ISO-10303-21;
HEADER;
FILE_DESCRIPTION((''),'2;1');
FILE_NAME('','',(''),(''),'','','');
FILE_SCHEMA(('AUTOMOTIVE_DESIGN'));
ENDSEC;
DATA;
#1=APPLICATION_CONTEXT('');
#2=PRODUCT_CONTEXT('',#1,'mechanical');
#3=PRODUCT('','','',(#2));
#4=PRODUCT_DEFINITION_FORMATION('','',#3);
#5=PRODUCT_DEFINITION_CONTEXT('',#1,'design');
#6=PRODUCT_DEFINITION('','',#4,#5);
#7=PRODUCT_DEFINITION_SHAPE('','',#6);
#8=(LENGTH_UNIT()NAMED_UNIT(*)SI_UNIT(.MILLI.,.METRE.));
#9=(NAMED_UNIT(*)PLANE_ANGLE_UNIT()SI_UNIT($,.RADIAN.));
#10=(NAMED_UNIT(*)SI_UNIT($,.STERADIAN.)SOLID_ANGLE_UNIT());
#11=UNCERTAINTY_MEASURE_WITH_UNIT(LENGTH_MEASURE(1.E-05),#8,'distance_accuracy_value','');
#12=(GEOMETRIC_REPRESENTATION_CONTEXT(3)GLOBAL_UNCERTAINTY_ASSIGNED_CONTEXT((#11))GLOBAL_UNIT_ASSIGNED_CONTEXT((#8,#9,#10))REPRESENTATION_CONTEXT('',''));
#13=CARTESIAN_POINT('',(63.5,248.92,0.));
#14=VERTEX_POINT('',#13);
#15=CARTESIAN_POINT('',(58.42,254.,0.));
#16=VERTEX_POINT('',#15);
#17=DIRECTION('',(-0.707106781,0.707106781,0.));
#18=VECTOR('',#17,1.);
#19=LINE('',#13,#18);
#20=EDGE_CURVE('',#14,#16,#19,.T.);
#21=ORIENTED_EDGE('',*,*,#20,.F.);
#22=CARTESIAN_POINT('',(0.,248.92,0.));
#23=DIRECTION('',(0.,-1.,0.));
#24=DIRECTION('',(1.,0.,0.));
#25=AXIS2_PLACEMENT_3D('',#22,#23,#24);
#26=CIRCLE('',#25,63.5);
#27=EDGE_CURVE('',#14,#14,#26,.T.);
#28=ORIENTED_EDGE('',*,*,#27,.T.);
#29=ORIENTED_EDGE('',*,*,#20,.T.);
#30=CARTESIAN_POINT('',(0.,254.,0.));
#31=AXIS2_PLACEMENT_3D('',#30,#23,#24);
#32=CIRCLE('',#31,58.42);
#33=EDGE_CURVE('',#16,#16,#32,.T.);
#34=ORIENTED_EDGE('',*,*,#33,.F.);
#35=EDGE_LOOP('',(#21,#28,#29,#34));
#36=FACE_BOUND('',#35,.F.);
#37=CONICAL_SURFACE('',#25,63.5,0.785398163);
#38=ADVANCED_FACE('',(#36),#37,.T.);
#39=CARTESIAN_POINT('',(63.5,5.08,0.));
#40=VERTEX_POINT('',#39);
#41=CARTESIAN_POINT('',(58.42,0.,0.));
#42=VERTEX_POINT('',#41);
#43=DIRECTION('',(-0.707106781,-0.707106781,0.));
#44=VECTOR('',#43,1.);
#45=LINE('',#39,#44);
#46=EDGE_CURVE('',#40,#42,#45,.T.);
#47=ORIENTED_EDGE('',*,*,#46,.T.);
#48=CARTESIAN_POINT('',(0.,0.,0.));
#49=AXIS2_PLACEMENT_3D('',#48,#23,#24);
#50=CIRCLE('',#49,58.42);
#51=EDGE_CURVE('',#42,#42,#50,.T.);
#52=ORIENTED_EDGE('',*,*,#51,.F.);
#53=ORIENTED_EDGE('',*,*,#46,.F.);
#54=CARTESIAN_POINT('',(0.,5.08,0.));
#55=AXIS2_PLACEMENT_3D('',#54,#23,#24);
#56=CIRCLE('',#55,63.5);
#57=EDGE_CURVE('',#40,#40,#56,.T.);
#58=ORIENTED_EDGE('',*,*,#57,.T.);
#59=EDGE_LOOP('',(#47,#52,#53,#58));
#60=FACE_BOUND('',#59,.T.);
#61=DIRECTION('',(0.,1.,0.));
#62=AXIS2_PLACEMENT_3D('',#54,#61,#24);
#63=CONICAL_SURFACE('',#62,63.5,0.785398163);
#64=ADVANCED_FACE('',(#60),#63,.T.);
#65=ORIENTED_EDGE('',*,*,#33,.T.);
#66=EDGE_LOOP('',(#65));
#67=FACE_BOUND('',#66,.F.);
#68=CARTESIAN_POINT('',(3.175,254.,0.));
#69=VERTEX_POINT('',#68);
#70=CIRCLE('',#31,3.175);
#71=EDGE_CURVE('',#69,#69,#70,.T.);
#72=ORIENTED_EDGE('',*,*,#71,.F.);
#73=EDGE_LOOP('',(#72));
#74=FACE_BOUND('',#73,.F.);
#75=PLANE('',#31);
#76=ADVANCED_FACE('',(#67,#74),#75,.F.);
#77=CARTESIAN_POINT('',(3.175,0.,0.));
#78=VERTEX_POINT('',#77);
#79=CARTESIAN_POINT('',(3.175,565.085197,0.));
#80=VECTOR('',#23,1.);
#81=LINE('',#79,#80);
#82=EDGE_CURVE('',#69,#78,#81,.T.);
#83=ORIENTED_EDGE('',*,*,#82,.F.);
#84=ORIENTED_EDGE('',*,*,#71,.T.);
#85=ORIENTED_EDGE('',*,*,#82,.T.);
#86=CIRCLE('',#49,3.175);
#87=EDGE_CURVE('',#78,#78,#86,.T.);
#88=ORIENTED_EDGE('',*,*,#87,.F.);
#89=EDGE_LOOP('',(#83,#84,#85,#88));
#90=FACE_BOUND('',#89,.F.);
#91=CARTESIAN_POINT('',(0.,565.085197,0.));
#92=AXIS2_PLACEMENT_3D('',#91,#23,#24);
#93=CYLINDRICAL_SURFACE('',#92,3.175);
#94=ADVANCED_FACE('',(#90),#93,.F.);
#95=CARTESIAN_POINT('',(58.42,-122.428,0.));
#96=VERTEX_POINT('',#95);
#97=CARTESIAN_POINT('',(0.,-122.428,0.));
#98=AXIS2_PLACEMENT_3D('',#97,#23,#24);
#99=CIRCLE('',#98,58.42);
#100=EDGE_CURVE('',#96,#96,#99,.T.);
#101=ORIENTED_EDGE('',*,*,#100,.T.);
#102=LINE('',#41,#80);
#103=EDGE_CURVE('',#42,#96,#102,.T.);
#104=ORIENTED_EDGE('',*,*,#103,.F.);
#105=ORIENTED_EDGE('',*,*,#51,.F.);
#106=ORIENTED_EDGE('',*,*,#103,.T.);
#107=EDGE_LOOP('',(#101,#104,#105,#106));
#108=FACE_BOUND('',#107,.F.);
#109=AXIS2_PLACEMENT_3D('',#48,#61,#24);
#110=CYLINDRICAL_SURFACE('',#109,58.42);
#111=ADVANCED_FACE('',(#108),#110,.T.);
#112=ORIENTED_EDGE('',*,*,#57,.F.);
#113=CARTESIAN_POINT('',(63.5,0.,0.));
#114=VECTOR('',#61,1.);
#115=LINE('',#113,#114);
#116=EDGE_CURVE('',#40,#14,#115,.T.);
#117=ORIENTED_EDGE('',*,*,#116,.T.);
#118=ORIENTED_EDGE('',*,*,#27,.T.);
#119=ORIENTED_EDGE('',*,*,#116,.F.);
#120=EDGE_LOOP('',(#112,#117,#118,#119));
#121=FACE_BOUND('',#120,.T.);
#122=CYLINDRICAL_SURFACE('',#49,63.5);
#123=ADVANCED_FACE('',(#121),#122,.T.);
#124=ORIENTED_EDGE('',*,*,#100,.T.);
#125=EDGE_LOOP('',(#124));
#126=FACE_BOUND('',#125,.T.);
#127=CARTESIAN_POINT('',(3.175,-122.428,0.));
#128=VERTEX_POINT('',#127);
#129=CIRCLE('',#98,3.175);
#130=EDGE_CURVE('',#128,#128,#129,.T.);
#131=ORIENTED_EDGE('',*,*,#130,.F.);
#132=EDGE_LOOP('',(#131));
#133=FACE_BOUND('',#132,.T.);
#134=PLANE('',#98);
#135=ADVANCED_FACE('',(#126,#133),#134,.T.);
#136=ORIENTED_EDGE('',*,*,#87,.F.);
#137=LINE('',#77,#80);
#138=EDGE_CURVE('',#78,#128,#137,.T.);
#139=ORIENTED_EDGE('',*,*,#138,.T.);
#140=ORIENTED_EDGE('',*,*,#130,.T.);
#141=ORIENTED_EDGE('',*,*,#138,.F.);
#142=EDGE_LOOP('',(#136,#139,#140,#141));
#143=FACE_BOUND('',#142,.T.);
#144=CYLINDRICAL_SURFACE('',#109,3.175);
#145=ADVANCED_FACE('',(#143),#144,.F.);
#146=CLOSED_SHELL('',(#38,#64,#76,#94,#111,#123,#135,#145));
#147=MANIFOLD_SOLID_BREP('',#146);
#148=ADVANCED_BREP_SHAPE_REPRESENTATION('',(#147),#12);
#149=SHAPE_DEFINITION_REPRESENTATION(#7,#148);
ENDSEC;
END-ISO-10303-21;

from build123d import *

# Parameters (mm, degrees)
F0_R     = 63.5
F1_DEPTH = 254
F2_SIZE2 = 5.08
F2_SIZE  = 5.08
F4_D     = 6.35
F5_DEPTH = 122.428


with BuildPart() as f1:
    # F0 (on Front) → F1 (new body)
    with BuildSketch(Plane.XZ):
        Circle(F0_R)
    extrude(amount=-F1_DEPTH)

    # F2
    f2_edges = [f1.edges().sort_by_distance(p)[0] for p in [
        (63.5, 127, 0),
        (-63.5, 0, 0),
        (-63.5, 254, 0),
    ]]
    chamfer(f2_edges, length=F2_SIZE, length2=F2_SIZE2)

    # F4 (through all)
    with Locations(Plane(origin=(0, 254, 0), x_dir=(-1, 0, 0), z_dir=(0, 1, 0))):
        with Locations((0, 0)):
            Hole(F4_D / 2)

    # F5 (add): a face of the model
    f5_faces = [f1.faces().sort_by_distance(p)[0] for p in [
        (-56.7676328737, 0, 0),
    ]]
    extrude(f5_faces, amount=F5_DEPTH)


solid = f1.part
